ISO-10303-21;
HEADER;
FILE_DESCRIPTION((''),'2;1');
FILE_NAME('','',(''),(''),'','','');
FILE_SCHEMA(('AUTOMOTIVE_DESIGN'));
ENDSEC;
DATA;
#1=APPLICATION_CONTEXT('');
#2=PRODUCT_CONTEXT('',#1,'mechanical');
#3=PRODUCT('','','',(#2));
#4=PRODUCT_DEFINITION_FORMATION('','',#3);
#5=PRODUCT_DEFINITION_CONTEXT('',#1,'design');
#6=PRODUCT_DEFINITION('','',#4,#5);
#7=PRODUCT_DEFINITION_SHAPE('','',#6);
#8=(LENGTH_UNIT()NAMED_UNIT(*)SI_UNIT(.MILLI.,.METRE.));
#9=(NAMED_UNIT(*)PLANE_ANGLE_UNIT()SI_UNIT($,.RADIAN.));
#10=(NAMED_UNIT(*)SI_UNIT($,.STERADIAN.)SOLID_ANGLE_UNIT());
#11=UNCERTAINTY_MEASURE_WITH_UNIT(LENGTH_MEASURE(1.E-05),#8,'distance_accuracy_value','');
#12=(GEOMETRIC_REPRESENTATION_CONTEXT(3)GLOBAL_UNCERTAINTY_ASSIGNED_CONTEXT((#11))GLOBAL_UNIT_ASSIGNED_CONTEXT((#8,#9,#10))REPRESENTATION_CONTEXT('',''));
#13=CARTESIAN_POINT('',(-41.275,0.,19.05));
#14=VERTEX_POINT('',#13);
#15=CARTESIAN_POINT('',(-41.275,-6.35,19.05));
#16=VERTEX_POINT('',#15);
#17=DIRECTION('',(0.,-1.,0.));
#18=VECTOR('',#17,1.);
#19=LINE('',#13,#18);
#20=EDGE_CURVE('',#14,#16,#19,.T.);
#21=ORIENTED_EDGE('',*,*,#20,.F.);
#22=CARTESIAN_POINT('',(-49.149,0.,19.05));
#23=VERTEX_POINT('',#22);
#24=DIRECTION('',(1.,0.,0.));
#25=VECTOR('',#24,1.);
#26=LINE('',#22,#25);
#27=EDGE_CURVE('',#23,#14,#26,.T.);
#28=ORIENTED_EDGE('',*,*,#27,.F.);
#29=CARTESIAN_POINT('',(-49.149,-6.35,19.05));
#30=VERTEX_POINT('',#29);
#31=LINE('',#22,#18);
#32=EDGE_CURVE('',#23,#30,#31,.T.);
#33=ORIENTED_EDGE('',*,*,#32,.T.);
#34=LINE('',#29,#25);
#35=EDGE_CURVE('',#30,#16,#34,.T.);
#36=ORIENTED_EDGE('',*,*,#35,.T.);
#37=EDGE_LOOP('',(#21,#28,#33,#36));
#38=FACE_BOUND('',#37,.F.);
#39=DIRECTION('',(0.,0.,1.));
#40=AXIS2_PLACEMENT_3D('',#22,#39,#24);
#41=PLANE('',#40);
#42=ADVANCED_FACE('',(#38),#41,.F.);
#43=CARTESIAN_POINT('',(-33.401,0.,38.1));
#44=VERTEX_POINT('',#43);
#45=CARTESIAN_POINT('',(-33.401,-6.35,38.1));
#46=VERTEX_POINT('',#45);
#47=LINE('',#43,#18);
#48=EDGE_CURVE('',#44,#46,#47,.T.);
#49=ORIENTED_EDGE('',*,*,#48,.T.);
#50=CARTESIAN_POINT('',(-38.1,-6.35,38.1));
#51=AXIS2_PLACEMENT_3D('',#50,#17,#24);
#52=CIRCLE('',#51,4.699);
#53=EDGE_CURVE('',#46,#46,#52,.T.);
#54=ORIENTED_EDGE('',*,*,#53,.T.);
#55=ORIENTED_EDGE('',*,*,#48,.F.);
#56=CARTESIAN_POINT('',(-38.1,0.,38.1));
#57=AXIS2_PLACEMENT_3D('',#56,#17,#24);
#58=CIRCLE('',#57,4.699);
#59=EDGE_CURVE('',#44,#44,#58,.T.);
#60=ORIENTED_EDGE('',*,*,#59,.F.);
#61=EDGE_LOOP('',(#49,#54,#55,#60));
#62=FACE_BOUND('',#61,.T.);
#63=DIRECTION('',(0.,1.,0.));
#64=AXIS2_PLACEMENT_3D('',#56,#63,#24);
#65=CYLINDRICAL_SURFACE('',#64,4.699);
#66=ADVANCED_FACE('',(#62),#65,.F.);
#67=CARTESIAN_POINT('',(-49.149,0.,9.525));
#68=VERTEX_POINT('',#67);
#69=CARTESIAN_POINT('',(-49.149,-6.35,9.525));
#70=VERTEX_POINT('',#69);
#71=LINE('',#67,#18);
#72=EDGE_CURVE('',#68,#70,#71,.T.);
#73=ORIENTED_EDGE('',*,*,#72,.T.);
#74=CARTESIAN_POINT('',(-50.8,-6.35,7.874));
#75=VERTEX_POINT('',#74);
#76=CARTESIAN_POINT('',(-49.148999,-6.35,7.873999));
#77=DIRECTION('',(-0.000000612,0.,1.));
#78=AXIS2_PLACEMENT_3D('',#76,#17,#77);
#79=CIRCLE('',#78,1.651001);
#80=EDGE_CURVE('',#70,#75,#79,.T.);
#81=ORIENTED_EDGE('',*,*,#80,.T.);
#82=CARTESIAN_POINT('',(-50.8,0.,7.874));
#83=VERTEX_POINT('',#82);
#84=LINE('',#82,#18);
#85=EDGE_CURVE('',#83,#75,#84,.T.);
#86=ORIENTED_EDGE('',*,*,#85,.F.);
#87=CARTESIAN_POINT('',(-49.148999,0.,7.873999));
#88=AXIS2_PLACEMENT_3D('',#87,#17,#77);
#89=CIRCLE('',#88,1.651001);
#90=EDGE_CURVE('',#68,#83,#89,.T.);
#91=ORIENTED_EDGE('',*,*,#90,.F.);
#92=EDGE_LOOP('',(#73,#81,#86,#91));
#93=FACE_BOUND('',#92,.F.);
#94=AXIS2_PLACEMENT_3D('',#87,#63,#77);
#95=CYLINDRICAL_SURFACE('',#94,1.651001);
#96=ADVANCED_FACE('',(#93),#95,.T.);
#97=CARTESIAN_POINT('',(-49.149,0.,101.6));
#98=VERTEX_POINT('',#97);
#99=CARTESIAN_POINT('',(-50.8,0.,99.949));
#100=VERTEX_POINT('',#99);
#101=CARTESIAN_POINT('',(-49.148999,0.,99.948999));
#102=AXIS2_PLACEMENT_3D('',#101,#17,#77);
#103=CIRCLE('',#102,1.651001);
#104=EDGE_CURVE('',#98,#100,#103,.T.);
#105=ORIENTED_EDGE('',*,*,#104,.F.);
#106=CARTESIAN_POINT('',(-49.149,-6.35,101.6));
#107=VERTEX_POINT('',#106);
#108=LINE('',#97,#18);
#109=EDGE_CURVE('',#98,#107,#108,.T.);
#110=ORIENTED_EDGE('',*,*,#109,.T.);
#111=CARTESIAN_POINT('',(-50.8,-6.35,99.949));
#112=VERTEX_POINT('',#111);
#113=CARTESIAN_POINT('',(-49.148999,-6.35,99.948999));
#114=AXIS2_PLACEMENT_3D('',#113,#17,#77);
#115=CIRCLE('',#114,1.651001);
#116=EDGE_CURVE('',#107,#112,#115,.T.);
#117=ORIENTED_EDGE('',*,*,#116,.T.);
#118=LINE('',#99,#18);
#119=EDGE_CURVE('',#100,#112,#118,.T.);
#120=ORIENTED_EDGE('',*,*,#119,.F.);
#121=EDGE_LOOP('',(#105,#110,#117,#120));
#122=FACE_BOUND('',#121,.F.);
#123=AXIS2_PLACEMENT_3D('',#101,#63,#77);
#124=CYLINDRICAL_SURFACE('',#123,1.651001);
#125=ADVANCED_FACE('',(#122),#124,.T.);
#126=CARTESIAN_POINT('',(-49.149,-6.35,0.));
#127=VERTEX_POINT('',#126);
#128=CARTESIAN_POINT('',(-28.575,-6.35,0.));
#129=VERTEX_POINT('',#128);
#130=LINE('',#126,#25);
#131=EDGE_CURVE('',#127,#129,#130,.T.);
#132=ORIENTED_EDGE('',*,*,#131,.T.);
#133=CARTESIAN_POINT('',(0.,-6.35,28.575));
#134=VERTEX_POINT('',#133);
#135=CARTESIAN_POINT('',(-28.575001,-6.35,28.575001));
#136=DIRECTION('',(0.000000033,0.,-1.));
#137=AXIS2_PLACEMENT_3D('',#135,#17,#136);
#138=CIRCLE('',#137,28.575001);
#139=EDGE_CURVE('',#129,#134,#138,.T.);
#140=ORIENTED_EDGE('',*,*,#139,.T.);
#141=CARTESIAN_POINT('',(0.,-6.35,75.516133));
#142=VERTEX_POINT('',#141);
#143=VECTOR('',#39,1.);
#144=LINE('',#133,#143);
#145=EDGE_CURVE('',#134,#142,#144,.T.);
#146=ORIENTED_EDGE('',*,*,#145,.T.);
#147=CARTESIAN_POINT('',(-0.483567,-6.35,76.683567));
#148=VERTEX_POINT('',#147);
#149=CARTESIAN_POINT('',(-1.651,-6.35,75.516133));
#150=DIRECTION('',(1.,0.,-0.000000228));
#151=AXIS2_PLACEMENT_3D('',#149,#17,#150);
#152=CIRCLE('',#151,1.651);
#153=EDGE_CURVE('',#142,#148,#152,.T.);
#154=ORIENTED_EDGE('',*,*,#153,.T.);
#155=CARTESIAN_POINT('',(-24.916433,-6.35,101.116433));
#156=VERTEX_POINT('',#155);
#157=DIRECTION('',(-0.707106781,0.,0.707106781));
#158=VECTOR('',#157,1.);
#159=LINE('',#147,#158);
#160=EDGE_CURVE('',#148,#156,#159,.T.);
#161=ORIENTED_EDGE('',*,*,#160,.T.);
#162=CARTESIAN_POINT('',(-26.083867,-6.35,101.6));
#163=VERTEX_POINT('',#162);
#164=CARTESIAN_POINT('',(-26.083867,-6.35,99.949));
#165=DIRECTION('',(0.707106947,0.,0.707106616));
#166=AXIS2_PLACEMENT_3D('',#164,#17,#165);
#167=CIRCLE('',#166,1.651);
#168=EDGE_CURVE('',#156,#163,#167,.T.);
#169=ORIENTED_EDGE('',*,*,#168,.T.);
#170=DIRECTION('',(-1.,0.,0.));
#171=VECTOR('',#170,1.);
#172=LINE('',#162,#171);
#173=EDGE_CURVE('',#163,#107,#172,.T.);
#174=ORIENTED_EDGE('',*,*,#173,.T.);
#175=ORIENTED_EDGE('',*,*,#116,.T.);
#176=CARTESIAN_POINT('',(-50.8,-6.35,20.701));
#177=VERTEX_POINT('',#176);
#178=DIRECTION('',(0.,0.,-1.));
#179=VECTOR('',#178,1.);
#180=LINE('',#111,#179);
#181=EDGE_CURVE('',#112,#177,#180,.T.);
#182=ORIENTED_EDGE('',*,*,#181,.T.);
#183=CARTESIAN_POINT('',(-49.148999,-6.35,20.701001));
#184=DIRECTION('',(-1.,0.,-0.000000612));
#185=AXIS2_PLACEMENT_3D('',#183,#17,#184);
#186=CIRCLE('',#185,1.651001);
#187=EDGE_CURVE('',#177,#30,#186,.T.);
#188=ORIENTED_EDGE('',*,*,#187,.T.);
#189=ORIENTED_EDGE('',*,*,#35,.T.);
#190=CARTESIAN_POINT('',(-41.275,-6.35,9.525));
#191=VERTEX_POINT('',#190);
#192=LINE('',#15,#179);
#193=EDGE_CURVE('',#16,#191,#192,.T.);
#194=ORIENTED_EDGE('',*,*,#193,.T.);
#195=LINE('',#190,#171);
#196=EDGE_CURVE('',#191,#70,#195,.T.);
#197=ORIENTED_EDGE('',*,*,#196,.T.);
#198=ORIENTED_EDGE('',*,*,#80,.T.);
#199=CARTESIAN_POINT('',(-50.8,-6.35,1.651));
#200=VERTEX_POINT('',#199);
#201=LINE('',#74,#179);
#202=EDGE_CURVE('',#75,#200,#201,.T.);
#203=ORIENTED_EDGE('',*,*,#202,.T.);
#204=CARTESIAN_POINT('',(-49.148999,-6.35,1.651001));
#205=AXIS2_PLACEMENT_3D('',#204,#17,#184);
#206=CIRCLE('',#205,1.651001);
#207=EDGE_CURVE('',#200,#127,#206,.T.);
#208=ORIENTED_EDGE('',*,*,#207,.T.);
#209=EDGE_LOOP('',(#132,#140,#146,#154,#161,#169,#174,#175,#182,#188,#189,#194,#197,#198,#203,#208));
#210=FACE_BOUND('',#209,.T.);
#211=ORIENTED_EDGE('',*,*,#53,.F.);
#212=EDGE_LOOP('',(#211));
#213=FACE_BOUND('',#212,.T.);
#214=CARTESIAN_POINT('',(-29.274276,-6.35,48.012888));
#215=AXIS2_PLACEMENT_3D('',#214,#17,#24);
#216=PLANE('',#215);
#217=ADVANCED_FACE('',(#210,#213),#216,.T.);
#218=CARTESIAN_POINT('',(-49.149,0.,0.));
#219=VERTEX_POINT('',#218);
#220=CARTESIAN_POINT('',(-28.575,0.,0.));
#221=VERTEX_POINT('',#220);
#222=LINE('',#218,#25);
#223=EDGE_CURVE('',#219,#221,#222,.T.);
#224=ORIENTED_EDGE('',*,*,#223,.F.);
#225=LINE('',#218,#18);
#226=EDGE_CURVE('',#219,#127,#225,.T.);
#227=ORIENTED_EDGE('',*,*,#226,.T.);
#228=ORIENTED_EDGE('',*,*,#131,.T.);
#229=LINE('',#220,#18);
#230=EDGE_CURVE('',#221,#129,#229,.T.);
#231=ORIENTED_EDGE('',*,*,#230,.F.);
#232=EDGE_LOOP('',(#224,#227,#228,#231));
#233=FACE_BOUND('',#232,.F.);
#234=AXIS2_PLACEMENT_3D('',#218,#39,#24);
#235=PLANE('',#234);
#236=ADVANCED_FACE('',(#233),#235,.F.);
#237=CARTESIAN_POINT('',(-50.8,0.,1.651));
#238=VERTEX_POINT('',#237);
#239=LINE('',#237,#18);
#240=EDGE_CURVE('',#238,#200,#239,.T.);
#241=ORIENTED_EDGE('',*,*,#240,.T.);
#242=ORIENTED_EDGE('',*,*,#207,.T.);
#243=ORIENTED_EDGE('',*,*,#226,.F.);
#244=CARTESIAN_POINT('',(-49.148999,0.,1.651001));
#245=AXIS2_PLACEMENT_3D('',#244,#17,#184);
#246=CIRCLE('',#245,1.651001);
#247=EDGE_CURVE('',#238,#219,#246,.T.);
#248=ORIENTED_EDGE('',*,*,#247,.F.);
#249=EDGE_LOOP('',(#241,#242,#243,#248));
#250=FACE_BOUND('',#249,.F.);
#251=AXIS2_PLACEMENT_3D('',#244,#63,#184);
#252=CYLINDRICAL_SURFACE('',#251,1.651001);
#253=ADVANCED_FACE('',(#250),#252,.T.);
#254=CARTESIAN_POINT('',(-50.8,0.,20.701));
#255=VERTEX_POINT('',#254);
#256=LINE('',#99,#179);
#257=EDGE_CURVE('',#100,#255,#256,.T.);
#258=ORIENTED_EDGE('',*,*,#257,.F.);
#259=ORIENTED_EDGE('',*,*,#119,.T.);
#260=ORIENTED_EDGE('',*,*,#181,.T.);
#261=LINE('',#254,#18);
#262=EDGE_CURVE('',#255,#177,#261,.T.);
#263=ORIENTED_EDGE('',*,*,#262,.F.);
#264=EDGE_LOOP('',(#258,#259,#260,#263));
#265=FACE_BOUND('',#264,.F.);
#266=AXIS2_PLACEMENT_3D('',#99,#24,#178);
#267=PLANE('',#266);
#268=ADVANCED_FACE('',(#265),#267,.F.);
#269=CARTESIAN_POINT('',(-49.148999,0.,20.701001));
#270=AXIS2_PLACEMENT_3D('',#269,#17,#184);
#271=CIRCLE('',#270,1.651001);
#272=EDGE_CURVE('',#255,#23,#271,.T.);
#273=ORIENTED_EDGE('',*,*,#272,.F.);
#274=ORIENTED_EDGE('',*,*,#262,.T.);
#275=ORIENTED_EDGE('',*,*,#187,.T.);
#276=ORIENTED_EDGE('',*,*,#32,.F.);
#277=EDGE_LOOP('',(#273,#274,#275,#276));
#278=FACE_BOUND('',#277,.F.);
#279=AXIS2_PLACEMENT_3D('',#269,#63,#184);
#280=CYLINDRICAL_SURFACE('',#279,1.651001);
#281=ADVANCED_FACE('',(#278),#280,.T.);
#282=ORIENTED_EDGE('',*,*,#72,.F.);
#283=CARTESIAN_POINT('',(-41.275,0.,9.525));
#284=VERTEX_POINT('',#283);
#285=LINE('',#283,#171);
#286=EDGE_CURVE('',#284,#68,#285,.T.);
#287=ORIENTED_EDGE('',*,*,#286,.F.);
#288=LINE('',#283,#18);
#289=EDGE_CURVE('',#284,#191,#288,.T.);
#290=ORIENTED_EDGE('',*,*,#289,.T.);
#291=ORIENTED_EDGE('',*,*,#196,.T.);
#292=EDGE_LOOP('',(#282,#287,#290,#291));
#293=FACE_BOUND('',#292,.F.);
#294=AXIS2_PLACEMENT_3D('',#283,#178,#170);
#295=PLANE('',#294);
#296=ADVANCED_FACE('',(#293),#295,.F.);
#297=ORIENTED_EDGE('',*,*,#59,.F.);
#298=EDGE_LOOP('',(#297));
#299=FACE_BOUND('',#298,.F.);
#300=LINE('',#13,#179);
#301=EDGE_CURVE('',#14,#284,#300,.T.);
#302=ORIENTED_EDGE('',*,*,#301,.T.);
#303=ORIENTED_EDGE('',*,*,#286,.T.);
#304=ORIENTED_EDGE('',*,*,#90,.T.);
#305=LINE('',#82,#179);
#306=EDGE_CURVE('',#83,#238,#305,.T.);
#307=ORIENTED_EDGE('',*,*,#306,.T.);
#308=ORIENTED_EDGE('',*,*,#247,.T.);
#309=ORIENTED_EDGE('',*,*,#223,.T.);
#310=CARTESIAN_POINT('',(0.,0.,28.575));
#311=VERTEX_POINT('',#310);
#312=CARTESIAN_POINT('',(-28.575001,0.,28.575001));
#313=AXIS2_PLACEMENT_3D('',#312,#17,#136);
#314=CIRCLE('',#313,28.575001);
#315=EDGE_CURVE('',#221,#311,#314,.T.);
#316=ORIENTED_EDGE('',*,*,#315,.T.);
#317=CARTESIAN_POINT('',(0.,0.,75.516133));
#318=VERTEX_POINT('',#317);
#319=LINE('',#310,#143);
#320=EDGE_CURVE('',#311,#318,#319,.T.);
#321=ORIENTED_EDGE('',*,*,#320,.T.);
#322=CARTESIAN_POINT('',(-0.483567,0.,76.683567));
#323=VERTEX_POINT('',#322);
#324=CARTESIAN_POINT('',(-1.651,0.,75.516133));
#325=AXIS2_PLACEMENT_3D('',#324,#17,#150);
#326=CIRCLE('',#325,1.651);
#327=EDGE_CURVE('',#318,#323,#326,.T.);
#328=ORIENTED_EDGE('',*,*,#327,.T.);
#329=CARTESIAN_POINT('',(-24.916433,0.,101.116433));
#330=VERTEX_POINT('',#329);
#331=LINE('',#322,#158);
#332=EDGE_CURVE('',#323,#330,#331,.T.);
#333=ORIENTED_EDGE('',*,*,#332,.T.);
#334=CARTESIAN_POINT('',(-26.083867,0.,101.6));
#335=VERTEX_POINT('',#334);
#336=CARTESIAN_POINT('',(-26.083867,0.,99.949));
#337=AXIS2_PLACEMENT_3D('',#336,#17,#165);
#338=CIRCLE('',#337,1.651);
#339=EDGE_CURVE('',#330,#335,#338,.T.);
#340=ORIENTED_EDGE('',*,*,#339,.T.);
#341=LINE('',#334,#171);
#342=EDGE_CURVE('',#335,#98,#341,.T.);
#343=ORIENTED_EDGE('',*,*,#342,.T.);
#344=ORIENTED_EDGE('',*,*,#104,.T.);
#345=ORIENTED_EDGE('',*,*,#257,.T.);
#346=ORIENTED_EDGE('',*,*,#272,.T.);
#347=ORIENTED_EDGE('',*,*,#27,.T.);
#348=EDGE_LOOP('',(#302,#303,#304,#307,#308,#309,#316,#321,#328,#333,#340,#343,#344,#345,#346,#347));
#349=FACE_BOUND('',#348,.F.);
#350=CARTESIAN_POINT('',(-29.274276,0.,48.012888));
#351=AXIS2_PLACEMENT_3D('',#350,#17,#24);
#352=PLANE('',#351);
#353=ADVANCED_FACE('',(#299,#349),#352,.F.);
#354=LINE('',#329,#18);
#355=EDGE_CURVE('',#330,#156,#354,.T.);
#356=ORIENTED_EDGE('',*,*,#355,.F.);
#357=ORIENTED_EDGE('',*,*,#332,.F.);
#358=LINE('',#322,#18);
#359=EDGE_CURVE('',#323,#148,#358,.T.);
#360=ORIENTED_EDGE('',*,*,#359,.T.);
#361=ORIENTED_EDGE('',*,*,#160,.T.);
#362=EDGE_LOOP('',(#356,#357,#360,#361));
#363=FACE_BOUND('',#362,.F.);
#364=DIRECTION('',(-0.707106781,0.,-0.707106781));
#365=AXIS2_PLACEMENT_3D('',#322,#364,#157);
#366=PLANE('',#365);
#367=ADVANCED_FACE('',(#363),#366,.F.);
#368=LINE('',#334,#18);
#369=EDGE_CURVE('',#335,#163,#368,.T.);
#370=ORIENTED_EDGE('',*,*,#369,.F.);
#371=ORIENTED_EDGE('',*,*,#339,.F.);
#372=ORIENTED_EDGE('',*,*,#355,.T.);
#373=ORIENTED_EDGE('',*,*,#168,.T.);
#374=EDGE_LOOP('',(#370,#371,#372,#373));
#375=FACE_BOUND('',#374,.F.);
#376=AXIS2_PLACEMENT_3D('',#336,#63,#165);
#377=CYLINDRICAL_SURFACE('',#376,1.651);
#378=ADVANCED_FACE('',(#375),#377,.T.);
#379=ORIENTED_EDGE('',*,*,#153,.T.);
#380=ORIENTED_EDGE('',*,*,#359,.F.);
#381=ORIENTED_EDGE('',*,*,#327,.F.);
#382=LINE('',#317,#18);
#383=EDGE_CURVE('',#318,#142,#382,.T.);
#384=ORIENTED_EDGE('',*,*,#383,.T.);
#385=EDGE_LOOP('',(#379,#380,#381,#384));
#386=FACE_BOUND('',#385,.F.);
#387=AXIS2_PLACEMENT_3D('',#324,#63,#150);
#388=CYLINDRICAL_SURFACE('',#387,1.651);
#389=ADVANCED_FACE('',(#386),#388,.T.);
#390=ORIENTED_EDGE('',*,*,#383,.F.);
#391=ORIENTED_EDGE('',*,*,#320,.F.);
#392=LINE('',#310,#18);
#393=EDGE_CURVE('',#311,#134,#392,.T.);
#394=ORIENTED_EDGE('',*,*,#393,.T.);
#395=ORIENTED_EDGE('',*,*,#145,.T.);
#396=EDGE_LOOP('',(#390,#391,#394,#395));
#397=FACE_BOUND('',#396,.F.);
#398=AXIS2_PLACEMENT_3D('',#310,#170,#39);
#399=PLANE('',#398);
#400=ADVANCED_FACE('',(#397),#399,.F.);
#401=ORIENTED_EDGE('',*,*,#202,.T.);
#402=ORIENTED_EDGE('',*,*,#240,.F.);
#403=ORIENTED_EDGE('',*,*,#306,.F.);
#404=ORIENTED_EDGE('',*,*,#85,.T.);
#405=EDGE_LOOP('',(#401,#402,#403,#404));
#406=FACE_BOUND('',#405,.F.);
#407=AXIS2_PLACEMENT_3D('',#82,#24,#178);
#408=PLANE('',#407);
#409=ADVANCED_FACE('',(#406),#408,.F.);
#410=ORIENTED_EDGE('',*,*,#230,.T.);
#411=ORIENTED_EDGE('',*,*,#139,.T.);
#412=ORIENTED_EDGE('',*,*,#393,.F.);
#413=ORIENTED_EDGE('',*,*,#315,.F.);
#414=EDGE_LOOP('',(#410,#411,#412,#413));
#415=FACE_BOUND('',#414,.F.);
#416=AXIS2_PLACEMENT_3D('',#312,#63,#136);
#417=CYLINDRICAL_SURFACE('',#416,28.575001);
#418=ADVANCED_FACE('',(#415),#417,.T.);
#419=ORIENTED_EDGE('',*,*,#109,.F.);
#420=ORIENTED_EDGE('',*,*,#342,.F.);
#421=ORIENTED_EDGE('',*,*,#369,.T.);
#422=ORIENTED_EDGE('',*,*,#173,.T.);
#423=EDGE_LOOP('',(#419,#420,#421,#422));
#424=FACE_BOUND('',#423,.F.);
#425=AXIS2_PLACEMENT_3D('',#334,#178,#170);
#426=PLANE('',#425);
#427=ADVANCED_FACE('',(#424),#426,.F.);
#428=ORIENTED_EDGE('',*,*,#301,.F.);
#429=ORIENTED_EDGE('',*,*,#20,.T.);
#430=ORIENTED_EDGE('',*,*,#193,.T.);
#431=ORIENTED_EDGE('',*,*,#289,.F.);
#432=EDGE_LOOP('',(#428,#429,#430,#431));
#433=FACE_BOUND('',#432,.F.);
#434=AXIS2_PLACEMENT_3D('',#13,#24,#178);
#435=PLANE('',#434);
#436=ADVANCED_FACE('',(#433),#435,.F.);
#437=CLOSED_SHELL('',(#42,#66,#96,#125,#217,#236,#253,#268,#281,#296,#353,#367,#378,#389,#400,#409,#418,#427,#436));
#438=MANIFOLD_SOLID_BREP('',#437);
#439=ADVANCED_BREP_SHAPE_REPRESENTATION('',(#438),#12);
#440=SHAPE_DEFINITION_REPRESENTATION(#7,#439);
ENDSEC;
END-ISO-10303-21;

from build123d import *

# Parameters (mm, degrees)
F0_R     = 4.699
F1_DEPTH = 6.35


with BuildPart() as f1:
    # F0 (on Front) → F1 (new body)
    with BuildSketch(Plane.XZ):
        with BuildLine():
            ThreePointArc((-28.575, 0), (-8.369424, 8.369424), (0, 28.575))
            Line((0, 28.575), (0, 75.516133))
            ThreePointArc((0, 75.516133), (-0.125675, 76.147944), (-0.483567, 76.683567))
            Line((-0.483567, 76.683567), (-24.916433, 101.116433))
            ThreePointArc((-24.916433, 101.116433), (-25.452056, 101.474325), (-26.083867, 101.6))
            Line((-26.083867, 101.6), (-49.149, 101.6))
            ThreePointArc((-49.149, 101.6), (-50.316433, 101.116433), (-50.8, 99.949))
            Line((-50.8, 99.949), (-50.8, 20.701))
            ThreePointArc((-50.8, 20.701), (-50.316433, 19.533567), (-49.149, 19.05))
            Line((-49.149, 19.05), (-41.275, 19.05))
            Line((-41.275, 19.05), (-41.275, 9.525))
            Line((-41.275, 9.525), (-49.149, 9.525))
            ThreePointArc((-49.149, 9.525), (-50.316433, 9.041433), (-50.8, 7.874))
            Line((-50.8, 7.874), (-50.8, 1.651))
            ThreePointArc((-50.8, 1.651), (-50.316433, 0.483567), (-49.149, 0))
            Line((-49.149, 0), (-28.575, 0))
        make_face()
        with Locations((-38.1, 38.1)):
            Circle(F0_R, mode=Mode.SUBTRACT)
    extrude(amount=F1_DEPTH)


solid = f1.part
